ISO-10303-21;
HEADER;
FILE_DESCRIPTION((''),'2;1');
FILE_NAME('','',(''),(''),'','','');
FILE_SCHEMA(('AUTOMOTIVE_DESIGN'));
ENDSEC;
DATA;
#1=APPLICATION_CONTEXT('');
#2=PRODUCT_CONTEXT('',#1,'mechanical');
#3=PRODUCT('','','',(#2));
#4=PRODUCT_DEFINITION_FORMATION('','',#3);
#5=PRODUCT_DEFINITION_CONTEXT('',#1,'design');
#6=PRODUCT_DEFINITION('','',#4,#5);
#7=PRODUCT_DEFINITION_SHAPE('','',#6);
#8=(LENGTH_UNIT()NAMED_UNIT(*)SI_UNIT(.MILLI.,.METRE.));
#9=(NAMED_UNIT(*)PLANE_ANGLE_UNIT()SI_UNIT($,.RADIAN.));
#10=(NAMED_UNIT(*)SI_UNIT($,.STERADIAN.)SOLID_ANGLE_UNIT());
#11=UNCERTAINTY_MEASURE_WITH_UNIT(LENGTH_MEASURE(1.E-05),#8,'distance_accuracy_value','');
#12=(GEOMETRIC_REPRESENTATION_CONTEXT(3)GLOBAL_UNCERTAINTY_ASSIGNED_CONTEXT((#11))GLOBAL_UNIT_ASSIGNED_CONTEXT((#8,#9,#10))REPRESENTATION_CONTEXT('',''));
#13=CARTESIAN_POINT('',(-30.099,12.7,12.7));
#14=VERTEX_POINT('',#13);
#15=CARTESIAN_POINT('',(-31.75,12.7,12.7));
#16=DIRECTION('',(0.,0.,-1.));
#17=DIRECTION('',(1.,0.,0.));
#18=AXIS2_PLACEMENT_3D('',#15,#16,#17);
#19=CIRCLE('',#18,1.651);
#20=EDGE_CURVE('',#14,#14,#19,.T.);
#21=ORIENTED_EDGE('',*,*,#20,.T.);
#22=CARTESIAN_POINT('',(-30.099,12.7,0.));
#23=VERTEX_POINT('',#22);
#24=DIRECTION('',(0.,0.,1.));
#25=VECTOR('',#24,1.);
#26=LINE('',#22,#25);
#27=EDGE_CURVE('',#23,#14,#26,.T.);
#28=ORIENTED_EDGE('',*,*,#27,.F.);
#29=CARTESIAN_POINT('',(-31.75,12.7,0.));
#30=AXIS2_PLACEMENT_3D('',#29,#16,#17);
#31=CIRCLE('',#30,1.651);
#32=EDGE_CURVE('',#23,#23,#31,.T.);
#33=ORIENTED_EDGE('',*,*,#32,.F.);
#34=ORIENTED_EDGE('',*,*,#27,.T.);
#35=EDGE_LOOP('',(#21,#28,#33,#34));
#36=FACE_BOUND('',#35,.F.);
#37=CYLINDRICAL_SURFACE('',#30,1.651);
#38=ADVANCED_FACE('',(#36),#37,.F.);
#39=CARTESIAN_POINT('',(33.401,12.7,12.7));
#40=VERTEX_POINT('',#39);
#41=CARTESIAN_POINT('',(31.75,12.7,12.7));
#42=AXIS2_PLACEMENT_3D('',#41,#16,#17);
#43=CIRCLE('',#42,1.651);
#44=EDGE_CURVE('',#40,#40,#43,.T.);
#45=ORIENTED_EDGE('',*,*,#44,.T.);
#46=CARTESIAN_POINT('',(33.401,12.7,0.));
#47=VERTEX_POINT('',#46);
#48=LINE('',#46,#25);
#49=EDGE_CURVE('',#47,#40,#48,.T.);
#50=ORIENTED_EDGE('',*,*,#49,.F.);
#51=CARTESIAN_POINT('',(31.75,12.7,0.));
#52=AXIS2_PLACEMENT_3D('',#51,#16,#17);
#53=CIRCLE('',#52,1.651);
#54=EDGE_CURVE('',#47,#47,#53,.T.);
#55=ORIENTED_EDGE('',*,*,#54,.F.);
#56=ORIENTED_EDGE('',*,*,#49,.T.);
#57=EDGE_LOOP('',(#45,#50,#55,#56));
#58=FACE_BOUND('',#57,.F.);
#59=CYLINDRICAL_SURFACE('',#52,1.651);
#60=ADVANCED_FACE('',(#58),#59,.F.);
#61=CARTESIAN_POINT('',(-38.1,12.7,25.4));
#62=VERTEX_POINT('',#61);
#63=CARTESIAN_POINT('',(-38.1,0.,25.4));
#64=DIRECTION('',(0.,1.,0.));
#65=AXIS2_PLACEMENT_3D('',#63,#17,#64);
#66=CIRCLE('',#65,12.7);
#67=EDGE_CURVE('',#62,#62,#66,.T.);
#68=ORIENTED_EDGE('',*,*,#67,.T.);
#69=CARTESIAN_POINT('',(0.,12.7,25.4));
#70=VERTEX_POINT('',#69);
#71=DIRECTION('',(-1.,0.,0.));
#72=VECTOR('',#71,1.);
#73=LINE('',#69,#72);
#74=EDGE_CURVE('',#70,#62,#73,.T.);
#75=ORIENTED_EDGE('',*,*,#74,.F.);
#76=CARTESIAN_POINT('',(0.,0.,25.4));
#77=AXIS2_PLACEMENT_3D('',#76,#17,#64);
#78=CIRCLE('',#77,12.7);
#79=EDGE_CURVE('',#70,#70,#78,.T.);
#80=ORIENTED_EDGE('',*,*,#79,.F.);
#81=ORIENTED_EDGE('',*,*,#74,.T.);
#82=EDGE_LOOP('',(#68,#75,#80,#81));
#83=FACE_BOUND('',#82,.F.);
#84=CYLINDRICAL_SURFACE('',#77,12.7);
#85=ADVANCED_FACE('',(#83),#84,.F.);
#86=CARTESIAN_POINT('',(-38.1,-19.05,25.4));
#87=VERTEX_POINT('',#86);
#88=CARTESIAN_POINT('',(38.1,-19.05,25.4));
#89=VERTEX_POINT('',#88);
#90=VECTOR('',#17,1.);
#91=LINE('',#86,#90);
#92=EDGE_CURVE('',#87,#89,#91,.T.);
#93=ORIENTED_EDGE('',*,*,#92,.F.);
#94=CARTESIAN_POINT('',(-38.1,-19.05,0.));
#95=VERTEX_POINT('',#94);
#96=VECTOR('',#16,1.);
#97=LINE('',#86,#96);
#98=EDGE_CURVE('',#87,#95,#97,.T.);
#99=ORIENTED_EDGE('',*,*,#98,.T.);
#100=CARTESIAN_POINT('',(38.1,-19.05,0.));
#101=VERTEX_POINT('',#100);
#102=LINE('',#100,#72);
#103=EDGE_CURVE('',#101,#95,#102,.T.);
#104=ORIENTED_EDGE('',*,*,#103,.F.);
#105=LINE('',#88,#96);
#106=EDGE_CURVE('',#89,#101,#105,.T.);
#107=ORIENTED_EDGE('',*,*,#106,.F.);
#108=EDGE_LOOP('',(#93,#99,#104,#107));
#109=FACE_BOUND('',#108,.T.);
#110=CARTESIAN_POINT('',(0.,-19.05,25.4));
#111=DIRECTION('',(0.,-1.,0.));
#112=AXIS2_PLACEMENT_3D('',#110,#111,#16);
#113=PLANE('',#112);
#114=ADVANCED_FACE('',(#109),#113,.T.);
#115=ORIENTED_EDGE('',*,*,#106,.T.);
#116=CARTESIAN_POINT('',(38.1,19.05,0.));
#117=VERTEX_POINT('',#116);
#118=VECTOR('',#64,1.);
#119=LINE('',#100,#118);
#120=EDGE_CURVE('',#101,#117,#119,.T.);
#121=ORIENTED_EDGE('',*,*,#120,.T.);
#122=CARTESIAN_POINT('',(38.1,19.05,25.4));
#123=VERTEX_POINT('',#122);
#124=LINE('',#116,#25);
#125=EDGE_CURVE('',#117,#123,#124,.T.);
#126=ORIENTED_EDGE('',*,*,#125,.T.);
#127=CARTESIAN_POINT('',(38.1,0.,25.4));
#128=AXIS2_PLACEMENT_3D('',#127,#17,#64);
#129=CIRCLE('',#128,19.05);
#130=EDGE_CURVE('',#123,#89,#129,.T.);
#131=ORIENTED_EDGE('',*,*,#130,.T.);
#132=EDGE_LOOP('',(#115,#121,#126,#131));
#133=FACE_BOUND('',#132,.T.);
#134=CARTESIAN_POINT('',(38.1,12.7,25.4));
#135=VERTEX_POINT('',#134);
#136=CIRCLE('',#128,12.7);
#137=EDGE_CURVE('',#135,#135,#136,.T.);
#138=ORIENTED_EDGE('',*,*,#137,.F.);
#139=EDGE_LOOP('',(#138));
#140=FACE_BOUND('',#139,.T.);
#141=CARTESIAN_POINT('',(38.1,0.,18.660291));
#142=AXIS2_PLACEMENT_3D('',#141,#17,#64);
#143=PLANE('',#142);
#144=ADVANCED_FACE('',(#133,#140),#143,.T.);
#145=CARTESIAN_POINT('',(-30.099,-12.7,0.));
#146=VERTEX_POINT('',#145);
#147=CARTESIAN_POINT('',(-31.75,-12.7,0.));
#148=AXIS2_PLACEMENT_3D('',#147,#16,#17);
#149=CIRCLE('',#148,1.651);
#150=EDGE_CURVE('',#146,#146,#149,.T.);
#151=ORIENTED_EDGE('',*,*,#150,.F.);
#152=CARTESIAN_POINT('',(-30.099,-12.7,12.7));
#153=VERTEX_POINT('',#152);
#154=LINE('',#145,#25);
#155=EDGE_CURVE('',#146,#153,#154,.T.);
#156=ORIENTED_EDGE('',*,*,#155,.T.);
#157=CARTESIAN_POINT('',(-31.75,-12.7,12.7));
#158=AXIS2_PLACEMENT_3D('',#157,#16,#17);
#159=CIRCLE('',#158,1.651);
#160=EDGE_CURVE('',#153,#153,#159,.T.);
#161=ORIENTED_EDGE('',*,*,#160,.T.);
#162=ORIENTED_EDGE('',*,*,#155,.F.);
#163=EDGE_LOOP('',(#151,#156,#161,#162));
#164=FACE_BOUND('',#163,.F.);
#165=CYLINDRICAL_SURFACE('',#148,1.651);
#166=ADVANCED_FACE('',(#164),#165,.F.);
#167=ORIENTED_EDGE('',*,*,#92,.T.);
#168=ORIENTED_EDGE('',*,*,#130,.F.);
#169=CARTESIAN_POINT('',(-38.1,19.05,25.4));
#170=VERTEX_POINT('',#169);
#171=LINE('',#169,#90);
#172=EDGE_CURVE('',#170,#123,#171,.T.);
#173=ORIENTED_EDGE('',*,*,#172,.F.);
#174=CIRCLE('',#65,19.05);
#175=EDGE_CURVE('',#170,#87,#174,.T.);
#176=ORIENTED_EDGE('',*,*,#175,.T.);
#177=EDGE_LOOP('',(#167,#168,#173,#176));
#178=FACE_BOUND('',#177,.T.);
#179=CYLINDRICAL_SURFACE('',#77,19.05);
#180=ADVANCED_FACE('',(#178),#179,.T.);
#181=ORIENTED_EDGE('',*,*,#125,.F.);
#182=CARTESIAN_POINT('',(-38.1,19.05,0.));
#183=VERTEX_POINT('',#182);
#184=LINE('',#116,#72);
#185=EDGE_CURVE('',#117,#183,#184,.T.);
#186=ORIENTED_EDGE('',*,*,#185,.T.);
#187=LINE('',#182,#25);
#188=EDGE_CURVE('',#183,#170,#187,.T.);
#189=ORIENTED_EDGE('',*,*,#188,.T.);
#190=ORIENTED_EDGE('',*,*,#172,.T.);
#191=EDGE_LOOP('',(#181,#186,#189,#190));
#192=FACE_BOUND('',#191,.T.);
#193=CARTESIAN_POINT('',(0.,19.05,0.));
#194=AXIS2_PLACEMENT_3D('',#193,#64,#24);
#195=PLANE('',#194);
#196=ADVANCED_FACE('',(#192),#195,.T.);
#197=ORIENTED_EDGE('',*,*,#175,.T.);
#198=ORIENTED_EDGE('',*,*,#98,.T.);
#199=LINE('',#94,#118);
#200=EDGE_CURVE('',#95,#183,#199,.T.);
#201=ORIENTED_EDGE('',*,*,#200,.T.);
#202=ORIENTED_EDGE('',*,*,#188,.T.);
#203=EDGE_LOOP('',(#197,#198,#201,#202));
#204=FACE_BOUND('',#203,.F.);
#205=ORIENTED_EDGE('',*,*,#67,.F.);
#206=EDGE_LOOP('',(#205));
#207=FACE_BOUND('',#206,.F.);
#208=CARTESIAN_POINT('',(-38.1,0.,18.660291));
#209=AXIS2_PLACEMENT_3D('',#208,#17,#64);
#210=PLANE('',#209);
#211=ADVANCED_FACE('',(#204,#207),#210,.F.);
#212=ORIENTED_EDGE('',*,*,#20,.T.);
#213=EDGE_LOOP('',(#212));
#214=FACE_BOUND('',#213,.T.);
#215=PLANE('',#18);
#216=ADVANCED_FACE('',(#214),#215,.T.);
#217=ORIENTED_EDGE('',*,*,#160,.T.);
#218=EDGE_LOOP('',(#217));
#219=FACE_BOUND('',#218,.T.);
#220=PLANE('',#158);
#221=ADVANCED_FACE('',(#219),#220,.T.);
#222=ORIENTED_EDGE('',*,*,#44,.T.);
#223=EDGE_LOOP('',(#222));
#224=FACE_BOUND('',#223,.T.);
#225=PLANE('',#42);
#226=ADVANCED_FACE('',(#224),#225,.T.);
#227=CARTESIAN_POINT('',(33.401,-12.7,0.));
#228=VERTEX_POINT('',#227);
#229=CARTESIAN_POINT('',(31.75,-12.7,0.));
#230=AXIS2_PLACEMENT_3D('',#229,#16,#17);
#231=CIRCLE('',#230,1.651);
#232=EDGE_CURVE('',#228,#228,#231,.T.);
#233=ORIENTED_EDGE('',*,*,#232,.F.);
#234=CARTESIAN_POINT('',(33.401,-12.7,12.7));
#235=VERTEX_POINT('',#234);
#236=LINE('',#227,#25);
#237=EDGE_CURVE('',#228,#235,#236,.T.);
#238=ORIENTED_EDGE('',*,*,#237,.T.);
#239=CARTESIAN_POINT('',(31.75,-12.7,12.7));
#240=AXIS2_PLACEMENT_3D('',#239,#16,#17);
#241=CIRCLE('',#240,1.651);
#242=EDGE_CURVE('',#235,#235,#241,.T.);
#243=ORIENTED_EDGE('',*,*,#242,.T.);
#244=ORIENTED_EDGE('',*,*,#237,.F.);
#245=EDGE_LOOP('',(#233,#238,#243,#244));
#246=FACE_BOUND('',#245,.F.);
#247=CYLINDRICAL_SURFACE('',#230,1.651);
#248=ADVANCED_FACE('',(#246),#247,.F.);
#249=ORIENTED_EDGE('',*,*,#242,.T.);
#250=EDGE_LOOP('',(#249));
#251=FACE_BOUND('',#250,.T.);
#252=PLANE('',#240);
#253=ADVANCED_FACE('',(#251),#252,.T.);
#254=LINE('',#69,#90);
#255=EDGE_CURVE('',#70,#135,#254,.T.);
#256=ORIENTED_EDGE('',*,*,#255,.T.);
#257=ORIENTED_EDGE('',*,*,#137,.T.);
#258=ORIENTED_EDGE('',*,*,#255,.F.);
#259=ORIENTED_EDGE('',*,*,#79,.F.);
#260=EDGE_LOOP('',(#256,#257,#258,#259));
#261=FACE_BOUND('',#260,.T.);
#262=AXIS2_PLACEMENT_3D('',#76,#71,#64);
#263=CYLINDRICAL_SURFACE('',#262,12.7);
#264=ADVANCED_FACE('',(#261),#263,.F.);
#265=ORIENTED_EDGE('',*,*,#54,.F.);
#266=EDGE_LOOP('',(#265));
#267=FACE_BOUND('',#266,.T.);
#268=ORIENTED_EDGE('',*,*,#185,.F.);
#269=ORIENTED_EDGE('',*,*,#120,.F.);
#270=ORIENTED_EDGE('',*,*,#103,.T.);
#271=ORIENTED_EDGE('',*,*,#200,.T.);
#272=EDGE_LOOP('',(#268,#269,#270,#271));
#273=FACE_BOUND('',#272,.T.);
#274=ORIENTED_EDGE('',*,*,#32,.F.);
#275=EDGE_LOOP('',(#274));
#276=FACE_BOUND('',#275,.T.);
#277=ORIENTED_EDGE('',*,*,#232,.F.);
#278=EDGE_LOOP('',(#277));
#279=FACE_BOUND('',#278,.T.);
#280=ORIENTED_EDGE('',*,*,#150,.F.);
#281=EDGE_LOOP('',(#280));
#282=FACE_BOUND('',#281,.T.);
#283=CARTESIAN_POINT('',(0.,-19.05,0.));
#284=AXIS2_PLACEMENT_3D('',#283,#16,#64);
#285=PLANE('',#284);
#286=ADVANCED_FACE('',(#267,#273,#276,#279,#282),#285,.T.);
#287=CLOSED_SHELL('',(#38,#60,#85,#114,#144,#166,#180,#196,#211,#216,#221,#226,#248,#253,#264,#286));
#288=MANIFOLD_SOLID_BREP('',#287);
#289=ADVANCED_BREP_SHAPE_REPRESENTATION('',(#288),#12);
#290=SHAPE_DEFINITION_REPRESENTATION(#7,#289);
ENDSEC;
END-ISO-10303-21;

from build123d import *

# Parameters (mm, degrees)
F0_R          = 12.7
F1_DEPTH      = 38.1
F1_DEPTH_BACK = 38.1
F2_R          = 1.651
F3_DEPTH      = 12.7


with BuildPart() as f1:
    # F0 (on Right) → F1 (new body, two sides)
    with BuildSketch(Plane.YZ) as f1_sk:
        with BuildLine():
            Line((19.05, 0), (19.05, 25.4))
            ThreePointArc((19.05, 25.4), (0, 44.45), (-19.05, 25.4))
            Line((-19.05, 25.4), (-19.05, 0))
            Line((-19.05, 0), (19.05, 0))
        make_face()
        with Locations((0, 25.4)):
            Circle(F0_R, mode=Mode.SUBTRACT)
    extrude(amount=F1_DEPTH)
    extrude(f1_sk.sketch, amount=-F1_DEPTH_BACK)

    # F2 (on face) → F3 (cut)
    with BuildSketch(Plane(origin=(0, 0, 0), x_dir=(1, 0, 0), z_dir=(0, 0, -1))):
        with Locations((-31.75, 12.7)):
            Circle(F2_R)
        with Locations((-31.75, -12.7)):
            Circle(F2_R)
        with Locations((31.75, 12.7)):
            Circle(F2_R)
        with Locations((31.75, -12.7)):
            Circle(F2_R)
    extrude(amount=-F3_DEPTH, mode=Mode.SUBTRACT)


solid = f1.part
